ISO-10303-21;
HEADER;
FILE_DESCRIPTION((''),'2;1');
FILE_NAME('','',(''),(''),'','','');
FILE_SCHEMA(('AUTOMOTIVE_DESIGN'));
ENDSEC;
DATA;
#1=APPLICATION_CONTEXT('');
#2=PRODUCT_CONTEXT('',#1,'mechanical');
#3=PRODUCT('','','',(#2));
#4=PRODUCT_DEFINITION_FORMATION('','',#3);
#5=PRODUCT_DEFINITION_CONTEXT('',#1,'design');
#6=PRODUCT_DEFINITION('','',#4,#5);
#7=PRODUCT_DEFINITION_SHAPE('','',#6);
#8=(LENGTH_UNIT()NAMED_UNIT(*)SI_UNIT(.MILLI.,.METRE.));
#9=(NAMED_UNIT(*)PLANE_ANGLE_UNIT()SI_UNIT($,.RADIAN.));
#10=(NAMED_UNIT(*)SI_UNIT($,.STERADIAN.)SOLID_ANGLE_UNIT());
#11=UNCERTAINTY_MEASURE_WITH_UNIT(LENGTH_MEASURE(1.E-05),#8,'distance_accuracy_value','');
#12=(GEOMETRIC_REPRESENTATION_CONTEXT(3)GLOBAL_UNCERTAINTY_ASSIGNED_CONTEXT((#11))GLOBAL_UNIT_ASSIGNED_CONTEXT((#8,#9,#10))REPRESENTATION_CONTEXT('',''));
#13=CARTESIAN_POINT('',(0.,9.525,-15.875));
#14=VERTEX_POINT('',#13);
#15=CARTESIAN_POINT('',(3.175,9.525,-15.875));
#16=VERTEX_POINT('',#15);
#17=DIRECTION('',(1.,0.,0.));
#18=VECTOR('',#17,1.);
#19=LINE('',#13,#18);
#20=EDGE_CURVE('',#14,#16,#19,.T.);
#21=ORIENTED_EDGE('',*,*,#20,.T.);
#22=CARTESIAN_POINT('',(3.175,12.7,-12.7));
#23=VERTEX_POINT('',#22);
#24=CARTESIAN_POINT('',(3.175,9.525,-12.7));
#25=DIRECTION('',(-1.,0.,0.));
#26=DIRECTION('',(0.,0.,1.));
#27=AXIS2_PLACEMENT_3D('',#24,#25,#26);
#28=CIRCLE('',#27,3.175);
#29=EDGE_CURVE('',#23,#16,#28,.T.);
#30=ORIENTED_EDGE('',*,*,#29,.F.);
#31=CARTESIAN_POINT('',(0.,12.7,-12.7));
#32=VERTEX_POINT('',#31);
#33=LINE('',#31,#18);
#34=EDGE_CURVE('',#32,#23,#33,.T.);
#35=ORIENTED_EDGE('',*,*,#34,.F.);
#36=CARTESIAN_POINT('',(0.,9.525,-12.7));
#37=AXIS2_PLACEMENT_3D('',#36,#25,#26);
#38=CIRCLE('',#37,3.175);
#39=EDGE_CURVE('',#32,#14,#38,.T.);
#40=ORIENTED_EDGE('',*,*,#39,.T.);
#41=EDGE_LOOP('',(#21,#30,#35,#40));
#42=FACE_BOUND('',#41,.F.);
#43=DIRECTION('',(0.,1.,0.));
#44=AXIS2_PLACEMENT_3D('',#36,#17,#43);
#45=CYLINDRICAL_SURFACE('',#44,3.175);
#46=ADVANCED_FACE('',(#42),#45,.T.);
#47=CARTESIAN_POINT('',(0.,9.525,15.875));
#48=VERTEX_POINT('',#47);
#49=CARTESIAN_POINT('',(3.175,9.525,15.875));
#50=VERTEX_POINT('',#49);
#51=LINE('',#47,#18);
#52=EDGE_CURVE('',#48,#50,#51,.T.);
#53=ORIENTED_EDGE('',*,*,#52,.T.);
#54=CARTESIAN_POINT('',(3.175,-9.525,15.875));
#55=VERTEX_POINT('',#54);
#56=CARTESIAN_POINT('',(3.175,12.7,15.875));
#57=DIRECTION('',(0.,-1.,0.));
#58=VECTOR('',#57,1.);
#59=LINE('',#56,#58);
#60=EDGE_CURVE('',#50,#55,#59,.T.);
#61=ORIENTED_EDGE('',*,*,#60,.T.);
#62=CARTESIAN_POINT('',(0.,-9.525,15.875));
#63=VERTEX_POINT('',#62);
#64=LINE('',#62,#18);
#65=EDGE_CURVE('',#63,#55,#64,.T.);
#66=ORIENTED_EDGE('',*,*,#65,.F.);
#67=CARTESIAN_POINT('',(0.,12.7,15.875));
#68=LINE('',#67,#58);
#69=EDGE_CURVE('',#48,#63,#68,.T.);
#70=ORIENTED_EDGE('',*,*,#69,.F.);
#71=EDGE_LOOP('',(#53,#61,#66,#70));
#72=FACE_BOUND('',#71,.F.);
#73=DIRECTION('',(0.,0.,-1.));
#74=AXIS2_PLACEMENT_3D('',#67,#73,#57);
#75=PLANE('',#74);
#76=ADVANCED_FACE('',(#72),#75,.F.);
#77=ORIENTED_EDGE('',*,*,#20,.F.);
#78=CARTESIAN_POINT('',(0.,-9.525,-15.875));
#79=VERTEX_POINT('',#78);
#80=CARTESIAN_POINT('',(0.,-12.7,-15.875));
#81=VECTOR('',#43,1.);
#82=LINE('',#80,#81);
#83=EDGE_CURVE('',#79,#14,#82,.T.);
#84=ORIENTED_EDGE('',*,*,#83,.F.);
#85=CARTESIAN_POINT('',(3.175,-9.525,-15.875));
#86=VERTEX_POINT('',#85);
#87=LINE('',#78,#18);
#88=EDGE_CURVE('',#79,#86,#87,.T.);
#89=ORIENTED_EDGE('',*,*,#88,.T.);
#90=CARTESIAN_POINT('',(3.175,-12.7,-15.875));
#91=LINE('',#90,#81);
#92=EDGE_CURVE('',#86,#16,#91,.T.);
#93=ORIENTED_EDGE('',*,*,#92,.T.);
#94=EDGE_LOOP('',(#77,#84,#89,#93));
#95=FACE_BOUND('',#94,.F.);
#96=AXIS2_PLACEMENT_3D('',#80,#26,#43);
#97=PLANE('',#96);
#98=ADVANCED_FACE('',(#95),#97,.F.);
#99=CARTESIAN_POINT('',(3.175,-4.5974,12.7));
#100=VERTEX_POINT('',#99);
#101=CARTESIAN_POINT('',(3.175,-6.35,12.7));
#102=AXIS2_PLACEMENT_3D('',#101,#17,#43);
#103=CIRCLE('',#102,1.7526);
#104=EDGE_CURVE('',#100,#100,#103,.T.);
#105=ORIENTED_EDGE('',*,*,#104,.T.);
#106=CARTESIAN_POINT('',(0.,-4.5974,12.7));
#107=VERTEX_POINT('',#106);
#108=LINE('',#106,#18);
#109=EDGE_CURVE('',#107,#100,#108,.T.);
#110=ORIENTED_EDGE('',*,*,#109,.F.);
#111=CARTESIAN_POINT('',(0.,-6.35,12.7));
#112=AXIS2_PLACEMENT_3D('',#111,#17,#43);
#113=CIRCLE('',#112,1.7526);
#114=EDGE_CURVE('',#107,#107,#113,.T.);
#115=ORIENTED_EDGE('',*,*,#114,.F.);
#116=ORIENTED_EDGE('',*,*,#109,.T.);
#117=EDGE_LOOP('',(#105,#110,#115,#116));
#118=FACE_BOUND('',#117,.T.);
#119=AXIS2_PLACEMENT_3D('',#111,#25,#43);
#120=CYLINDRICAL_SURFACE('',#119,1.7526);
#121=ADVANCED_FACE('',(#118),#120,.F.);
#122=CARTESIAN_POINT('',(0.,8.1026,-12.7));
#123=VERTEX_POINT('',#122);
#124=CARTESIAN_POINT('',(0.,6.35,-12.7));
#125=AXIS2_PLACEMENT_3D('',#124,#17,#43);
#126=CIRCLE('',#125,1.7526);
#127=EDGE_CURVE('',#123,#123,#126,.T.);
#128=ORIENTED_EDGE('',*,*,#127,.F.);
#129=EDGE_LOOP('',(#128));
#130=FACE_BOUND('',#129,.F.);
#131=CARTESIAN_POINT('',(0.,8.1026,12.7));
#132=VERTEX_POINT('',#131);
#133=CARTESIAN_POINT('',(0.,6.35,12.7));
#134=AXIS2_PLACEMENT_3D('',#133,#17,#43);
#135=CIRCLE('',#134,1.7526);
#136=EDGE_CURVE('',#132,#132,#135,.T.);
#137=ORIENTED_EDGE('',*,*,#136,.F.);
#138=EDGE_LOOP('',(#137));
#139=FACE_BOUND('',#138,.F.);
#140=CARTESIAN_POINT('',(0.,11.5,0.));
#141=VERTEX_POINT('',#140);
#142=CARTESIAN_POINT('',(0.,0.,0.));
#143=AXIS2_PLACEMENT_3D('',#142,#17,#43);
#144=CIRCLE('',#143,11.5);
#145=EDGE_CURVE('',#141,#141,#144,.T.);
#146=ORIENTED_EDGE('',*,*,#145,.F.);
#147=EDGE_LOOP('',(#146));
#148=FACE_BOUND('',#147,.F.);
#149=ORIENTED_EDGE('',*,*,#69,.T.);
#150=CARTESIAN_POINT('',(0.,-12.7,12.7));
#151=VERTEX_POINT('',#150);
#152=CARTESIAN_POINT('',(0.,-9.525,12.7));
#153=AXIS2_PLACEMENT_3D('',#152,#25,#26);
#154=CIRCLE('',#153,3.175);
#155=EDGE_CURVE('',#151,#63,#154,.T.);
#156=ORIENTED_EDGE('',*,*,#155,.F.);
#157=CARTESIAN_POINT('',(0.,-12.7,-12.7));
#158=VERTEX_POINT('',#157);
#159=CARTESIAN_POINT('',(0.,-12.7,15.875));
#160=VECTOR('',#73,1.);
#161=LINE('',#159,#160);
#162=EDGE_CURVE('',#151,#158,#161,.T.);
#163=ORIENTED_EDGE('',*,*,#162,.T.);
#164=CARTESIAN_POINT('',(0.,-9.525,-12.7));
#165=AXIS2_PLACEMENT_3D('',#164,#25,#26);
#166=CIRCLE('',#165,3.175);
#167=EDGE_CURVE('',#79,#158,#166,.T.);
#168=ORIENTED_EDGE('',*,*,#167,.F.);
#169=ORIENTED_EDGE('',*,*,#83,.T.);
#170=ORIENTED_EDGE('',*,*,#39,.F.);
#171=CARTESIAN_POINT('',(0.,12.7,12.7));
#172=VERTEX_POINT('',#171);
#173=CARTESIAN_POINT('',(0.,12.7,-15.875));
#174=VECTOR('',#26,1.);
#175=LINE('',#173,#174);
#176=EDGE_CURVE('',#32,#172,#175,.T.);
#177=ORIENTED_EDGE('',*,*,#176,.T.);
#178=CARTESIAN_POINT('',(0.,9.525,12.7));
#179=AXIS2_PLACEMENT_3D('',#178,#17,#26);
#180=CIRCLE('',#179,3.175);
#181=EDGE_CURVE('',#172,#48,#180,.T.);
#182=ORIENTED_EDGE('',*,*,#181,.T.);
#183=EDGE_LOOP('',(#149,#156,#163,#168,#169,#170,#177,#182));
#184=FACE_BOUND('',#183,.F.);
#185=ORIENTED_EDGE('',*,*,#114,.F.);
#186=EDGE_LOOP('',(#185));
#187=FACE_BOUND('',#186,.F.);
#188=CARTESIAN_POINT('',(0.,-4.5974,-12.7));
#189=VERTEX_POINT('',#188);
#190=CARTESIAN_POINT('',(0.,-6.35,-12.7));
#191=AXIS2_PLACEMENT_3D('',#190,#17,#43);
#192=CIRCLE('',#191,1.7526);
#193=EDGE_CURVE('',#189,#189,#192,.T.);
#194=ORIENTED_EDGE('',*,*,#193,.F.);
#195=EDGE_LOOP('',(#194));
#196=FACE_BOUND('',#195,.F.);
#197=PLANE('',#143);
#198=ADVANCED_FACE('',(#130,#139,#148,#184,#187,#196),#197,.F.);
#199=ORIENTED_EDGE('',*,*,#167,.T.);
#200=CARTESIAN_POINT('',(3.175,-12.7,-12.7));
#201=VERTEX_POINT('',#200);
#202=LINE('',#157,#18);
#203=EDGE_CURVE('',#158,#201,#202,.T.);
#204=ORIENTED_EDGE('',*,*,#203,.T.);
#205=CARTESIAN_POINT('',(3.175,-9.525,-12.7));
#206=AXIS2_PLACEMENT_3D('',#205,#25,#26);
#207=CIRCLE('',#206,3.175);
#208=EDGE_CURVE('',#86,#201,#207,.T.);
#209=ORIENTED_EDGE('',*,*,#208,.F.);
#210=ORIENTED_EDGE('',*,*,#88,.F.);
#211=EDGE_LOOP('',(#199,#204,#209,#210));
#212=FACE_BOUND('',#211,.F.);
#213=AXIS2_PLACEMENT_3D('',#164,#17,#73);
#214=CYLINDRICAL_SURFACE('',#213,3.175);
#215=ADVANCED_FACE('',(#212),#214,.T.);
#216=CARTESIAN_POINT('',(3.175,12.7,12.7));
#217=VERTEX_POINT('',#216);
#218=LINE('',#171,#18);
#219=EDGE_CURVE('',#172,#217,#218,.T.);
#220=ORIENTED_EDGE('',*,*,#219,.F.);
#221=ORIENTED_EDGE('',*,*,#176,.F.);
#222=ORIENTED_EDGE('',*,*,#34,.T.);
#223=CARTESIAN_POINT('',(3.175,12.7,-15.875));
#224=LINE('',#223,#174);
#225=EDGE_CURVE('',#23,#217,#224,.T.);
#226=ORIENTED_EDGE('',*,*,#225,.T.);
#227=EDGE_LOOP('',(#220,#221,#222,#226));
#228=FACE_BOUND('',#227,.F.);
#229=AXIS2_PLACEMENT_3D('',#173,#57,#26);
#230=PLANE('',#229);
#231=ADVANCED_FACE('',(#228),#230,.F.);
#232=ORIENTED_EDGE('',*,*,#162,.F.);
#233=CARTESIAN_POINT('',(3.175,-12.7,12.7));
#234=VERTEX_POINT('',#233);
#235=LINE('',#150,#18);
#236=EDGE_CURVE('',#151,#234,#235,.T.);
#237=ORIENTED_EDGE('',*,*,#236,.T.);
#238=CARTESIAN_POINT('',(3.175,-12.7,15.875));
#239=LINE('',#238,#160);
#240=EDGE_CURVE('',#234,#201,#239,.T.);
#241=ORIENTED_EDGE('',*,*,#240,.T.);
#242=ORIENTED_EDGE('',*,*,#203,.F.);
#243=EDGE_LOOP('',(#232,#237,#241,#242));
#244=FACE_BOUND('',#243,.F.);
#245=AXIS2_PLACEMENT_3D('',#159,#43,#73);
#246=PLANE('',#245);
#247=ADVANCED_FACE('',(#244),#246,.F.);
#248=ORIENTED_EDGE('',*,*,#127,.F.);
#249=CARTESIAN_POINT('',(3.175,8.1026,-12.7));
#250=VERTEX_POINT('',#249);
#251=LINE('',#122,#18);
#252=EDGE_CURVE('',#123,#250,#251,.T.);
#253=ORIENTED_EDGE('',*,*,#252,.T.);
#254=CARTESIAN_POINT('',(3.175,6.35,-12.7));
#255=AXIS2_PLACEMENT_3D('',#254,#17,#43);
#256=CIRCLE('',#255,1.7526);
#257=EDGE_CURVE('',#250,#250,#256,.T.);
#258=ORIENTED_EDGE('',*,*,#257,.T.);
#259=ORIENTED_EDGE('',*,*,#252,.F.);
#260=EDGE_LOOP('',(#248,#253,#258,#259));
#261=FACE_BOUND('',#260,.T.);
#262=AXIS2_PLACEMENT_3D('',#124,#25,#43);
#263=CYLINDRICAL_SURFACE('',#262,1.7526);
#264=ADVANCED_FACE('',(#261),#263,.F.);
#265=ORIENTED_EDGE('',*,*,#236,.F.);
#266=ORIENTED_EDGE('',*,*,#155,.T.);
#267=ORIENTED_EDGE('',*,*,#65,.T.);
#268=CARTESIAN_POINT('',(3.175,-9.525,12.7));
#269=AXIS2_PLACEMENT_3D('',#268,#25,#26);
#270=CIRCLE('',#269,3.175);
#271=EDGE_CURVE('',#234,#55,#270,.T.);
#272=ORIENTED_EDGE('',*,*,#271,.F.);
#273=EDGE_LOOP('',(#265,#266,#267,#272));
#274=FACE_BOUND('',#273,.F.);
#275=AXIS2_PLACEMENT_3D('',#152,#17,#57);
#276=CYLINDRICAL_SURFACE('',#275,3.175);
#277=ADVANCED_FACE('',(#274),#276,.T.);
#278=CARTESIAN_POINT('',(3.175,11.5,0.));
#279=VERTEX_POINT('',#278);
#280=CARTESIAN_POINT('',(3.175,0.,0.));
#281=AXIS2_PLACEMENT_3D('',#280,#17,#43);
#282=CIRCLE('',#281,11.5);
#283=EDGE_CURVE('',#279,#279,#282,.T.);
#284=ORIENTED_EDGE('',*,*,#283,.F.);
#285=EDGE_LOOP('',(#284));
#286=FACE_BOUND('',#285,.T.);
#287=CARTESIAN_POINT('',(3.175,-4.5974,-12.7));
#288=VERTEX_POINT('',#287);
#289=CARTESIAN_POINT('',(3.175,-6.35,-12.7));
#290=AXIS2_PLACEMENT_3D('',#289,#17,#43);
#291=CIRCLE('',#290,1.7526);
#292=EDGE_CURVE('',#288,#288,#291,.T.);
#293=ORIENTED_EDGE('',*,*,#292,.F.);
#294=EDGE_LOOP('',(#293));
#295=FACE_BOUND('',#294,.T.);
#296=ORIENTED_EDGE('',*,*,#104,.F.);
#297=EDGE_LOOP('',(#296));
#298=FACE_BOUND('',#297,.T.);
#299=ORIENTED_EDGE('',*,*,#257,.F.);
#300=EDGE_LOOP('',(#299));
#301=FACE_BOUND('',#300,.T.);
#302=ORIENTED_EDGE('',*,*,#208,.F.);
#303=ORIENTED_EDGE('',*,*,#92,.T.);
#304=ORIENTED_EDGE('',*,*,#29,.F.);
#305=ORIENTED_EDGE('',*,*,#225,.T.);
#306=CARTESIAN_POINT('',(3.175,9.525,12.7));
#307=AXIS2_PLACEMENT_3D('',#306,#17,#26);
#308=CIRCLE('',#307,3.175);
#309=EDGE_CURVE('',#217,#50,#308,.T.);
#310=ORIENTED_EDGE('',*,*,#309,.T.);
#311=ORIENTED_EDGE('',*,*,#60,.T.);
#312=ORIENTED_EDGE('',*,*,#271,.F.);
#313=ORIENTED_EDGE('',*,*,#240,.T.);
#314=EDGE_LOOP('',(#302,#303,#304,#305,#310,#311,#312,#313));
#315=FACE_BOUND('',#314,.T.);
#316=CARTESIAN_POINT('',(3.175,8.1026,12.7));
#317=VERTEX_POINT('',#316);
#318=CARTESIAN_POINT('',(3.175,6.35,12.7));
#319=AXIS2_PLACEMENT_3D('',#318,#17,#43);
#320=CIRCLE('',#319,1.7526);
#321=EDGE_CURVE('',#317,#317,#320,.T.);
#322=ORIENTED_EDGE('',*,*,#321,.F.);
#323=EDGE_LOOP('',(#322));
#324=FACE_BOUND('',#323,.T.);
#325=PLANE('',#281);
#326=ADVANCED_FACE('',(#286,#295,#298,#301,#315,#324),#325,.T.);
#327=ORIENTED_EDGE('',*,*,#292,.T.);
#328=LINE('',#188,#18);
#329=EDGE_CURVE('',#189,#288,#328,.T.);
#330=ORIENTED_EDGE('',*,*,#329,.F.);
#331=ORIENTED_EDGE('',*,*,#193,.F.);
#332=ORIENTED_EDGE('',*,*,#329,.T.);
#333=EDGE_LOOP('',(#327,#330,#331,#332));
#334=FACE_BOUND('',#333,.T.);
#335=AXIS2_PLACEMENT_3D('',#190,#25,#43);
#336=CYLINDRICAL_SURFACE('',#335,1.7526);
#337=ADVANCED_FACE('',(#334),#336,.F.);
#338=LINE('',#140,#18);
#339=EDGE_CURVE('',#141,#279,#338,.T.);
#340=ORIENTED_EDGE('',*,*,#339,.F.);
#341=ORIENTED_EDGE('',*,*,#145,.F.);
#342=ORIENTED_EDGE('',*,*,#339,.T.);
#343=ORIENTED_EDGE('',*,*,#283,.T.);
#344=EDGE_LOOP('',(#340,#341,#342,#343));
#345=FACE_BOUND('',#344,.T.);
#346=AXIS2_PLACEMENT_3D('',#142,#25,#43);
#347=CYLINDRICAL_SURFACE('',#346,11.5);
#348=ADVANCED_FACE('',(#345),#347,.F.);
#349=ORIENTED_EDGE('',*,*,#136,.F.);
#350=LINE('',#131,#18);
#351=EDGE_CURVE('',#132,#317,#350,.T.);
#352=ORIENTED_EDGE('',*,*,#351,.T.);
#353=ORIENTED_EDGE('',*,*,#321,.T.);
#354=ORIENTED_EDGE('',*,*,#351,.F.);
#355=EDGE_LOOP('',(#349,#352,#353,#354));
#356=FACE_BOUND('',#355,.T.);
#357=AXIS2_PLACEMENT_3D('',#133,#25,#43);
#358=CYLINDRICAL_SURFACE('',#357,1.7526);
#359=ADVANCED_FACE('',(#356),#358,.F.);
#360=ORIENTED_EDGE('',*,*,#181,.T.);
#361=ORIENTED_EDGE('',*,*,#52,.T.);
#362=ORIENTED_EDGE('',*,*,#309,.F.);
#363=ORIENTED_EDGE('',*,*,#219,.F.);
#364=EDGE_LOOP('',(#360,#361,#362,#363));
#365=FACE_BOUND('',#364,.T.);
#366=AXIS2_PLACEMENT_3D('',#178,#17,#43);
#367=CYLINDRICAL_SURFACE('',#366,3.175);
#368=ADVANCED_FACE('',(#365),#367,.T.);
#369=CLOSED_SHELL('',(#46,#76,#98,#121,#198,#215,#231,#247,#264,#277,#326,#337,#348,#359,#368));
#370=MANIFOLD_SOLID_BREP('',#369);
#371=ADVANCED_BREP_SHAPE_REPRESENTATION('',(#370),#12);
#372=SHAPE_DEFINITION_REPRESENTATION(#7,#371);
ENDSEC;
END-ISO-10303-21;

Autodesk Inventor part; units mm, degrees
ref_plane "YZ Plane" through (0, 0, 0) normal (1, 0, 0) x (0, 1, 0)
ref_plane "XZ Plane" through (0, 0, 0) normal (0, 1, 0) x (-1, 0, 0)
ref_plane "XY Plane" through (0, 0, 0) normal (0, 0, 1) x (1, 0, 0)
sketch "Sketch1" plane through (0, 0, 0) normal (1, 0, 0) x (0, 1, 0)
  circle A0 centre (0, 0) radius 11.5
  line L0 (0, 0) -> (0, -12.7) construction
  line L1 (0, -12.7) -> (6.35, -12.7) construction
  circle A1 centre (6.35, -12.7) radius 1.7526
  circle A2 centre (-6.35, -12.7) radius 1.7526
  circle A3 centre (6.35, 12.7) radius 1.7526
  circle A4 centre (-6.35, 12.7) radius 1.7526
  line L2 (12.7, 15.875) -> (-12.7, 15.875)
  line L3 (-12.7, 15.875) -> (-12.7, -15.875)
  line L4 (-12.7, -15.875) -> (12.7, -15.875)
  line L5 (12.7, -15.875) -> (12.7, 15.875)
  line L6 (12.7, 15.875) -> (-12.7, -15.875) construction
  line L7 (-12.7, 15.875) -> (12.7, -15.875) construction
  line L8 (0, 0) -> (9, 0) construction
  dimension "d0" = 23
  dimension "d1" = 12.7
  dimension "d2" = 6.35
  dimension "d3" = 3.5052
  dimension "d6" = 12.7
  dimension "d9" = 25.4
  dimension "d12" = 25.4
  dimension "d13" = 31.75
  dimension "d15" = 9
extrude "Extrusion1" add sketch "Sketch1" along normal blind 3.175
fillet "Fillet1" radius 3.175 4 edges at (1.5875, 12.7, 15.875) (1.5875, -12.7, 15.875) (1.5875, 12.7, -15.875) (1.5875, -12.7, -15.875)
equation "\"d9\" = 2 * d1"
properties part number "Motor Plates" material "UHMW, Black"
